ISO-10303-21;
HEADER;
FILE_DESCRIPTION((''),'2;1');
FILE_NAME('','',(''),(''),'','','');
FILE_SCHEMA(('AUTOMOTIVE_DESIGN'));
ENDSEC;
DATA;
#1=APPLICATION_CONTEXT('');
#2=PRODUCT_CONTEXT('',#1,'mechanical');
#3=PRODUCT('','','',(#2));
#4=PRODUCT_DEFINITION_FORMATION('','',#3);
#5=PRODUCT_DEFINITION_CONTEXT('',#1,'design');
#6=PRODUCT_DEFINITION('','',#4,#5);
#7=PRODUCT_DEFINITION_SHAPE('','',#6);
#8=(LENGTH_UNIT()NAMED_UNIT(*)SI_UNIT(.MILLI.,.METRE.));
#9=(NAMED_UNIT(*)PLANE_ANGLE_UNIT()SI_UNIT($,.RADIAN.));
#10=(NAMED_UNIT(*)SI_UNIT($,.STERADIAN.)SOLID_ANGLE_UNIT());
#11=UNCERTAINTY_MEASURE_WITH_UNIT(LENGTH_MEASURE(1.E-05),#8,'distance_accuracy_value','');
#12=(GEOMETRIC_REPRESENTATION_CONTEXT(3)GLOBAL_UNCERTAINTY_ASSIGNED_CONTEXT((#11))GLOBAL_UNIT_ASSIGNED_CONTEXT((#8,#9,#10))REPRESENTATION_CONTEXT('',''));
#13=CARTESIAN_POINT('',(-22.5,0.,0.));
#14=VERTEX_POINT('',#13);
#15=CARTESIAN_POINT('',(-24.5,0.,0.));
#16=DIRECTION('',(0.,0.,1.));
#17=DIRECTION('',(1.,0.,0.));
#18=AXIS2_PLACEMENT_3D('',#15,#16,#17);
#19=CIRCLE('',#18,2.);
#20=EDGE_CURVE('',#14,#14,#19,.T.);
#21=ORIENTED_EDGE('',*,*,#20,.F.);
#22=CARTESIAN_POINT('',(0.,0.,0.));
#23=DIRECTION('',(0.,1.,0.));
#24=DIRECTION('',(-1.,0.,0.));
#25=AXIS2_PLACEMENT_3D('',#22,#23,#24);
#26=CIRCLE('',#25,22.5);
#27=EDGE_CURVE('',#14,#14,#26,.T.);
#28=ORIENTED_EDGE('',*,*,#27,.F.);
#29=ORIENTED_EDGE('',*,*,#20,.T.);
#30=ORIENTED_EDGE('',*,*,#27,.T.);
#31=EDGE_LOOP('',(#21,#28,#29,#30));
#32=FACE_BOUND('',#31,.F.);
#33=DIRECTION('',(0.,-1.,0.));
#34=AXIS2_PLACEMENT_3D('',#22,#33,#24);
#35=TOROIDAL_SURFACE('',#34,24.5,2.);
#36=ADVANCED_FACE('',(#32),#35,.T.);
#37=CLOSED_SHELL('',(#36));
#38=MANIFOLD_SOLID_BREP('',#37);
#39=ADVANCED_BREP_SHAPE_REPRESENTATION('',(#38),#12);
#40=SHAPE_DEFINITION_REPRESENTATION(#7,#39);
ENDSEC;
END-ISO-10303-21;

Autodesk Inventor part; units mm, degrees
ref_plane "YZ Plane" through (0, 0, 0) normal (1, 0, 0) x (0, 1, 0)
ref_plane "XZ Plane" through (0, 0, 0) normal (0, 1, 0) x (-1, 0, 0)
ref_plane "XY Plane" through (0, 0, 0) normal (0, 0, 1) x (1, 0, 0)
sketch "Sketch1" plane through (0, 0, 0) normal (0, 0, 1) x (1, 0, 0)
  circle A0 centre (-24.5, 0) radius 2
  line L0 (0, -2.8) -> (0, 2.8) projected
  point P0 (0, 0)
  dimension "oring_dia" = 4
  dimension "d3" = 24.5
revolve "Revolution1" add sketch "Sketch1" angle 360 about axis through (0, -10, 0) along (0, 1, 0)
equation "\"d3\" = oring_ir + 0.5 * oring_dia"
equation "\"oring_id\" = 2 * oring_ir"
equation "\"oring_od\" = oring_id + 2 * oring_dia"
equation "\"oring_ir\" = 22.5"
properties part number "oring" material "Rubber"
